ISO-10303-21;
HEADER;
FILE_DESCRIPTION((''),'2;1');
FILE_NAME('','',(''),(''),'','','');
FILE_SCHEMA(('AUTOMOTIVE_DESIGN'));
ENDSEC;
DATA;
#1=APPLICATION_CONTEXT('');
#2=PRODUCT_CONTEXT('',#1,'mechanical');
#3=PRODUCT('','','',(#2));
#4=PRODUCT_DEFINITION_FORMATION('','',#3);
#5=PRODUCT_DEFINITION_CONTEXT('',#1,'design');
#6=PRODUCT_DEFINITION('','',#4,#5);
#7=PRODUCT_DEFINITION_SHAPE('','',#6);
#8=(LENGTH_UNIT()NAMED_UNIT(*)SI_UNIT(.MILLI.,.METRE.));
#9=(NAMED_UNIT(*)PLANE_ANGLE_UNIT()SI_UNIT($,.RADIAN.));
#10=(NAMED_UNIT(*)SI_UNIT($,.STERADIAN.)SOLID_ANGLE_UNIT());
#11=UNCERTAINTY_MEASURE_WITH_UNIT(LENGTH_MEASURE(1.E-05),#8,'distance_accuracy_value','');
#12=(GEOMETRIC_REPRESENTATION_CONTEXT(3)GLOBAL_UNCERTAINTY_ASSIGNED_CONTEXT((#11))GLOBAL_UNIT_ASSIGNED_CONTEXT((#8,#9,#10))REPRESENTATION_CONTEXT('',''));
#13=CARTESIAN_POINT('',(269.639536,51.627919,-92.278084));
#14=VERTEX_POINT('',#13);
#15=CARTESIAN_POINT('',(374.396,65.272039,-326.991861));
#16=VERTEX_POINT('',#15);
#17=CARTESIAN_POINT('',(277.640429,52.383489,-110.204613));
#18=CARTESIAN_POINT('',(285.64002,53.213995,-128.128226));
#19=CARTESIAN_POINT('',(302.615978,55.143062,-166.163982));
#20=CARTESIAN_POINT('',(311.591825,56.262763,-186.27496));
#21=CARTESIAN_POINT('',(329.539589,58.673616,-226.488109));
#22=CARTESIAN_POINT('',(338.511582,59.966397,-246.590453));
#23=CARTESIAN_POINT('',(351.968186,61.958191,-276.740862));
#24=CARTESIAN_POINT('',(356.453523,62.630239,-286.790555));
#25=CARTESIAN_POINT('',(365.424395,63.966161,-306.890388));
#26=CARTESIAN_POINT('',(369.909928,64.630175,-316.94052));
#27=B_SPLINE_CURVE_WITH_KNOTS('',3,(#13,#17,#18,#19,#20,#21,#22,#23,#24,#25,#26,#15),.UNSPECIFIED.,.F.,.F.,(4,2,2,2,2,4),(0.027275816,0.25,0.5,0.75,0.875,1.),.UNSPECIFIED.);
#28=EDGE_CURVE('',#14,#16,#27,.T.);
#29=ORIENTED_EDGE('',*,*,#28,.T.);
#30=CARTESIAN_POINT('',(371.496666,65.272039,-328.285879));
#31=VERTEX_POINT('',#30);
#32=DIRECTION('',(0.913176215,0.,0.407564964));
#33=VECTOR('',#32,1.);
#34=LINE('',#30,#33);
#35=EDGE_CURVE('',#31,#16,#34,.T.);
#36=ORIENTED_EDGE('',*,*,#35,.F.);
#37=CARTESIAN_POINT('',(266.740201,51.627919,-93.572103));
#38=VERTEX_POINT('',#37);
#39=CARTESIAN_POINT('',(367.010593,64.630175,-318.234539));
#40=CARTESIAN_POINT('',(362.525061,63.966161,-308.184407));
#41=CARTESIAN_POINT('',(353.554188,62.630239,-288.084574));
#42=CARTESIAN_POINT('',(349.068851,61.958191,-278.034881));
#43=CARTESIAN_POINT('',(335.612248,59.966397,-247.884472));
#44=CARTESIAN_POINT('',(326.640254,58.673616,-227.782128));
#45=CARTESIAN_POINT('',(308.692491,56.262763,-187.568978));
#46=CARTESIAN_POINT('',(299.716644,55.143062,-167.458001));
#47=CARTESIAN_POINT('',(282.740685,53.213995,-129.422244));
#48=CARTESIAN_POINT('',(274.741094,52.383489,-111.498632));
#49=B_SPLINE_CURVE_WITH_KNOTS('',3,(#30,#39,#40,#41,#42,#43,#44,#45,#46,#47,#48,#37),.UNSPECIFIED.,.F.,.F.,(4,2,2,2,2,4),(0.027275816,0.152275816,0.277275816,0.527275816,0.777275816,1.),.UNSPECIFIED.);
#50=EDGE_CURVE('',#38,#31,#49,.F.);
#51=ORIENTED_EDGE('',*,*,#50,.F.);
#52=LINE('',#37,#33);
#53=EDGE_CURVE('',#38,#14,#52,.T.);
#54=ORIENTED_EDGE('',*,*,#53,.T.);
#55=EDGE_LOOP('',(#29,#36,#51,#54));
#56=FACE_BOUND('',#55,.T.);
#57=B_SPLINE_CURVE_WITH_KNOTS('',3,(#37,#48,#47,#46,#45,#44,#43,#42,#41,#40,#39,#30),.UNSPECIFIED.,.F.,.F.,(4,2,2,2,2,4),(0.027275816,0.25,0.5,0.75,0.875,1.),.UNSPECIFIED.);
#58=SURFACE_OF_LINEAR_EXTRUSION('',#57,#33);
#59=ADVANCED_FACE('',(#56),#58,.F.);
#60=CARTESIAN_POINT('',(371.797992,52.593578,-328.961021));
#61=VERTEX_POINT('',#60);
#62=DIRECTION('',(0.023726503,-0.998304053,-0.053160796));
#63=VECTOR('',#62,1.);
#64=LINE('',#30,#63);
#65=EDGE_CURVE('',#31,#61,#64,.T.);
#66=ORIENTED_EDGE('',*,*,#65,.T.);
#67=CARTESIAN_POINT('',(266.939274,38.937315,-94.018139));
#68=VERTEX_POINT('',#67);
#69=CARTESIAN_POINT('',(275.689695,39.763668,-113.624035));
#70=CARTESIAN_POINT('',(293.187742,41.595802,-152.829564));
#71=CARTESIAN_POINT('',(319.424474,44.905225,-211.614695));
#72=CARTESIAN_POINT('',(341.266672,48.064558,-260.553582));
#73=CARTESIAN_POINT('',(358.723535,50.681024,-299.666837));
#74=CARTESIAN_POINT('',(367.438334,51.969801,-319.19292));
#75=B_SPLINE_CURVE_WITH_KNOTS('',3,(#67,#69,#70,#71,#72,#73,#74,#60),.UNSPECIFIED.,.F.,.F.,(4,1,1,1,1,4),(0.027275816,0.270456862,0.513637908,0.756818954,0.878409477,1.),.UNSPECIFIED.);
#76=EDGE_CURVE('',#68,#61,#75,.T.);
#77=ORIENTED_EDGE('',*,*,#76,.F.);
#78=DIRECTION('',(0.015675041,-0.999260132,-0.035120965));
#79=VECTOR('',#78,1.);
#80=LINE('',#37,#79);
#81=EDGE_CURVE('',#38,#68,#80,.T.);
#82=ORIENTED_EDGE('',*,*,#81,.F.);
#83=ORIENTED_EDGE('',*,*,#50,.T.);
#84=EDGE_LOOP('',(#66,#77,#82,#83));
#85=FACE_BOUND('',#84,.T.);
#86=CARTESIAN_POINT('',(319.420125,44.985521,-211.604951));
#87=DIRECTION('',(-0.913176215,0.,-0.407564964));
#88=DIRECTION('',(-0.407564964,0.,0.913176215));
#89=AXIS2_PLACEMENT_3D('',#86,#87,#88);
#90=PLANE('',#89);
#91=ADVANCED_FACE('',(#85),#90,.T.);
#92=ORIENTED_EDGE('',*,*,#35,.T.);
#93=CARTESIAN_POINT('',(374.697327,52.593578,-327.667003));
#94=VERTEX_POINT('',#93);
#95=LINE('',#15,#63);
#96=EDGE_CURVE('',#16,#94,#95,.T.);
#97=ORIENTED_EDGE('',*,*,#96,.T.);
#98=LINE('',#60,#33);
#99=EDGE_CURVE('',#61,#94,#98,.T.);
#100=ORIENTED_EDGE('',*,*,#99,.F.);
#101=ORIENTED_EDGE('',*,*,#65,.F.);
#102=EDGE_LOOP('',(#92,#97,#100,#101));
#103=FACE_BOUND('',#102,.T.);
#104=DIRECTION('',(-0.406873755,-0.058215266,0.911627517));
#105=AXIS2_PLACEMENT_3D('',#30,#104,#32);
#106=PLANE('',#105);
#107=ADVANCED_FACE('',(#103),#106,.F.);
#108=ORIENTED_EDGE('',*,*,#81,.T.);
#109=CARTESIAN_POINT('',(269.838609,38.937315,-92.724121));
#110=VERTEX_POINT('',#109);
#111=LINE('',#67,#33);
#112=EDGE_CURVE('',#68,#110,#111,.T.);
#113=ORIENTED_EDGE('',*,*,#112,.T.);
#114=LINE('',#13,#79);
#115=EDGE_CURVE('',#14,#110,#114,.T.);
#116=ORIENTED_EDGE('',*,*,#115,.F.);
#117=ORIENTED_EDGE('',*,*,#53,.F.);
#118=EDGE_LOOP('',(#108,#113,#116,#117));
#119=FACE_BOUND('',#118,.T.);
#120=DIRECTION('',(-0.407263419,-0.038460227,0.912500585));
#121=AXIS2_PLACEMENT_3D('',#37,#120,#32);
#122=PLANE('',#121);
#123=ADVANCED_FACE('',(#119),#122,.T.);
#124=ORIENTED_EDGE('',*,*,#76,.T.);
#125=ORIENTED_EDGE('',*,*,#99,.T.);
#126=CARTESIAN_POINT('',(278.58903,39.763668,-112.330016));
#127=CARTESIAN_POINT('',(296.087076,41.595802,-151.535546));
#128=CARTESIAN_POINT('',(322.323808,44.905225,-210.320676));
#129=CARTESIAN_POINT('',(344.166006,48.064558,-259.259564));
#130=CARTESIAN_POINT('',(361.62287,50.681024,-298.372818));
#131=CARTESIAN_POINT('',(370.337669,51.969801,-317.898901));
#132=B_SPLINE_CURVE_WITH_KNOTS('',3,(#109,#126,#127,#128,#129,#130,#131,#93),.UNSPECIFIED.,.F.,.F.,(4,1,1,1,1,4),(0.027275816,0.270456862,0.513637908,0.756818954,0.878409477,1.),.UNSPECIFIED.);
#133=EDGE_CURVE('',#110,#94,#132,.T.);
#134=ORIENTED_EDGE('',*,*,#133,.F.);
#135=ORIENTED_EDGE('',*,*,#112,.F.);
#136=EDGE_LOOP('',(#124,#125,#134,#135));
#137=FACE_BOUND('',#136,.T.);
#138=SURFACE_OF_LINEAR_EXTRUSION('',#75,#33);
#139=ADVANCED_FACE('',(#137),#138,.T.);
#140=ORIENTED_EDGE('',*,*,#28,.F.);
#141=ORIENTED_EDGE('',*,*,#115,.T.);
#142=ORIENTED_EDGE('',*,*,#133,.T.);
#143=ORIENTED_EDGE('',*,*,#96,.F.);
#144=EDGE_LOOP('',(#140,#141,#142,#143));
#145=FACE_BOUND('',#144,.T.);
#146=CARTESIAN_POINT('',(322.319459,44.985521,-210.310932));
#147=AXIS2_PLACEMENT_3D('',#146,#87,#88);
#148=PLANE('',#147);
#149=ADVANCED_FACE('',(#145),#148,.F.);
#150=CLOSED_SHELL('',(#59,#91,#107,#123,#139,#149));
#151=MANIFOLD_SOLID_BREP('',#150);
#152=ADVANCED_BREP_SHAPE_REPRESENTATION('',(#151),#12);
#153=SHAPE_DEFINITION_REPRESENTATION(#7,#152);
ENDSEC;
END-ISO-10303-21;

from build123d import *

# Parameters (mm, degrees)
BOSS_EXTRUDE1_DEPTH = 3.175


with BuildPart() as part:
    # Sketch1 → Boss-Extrude1 (new body)
    with BuildSketch(Plane(origin=(190.505997168, 0, 85.025834525), x_dir=(-0.40756496353562105, 0, 0.9131762154689576), z_dir=(-0.9131762154689574, 0, -0.407564963535621))):
        with BuildLine():
            Line((-194.161779339, 51.627918831), (-194.650224224, 38.937315157))
            add(Edge.make_bspline(
                [(-194.650224224, 38.937315157), (-216.120226949, 39.763667731), (-259.053374571, 41.595801952), (-323.427730174, 44.905224632), (-377.019673006, 48.064558301), (-419.851772465, 50.681023549), (-441.23437363, 51.969800569), (-451.931215625, 52.593577963)],
                knots=[0.027275816, 0.027275816, 0.027275816, 0.027275816, 0.270456862, 0.513637908, 0.756818954, 0.878409477, 1, 1, 1, 1], degree=3))
            Line((-451.931215625, 52.593577963), (-451.191881748, 65.27203944))
            add(Edge.make_bspline(
                [(-194.161779339, 51.627918831), (-213.792743003, 52.383489175), (-233.420512404, 53.21399507), (-275.072666238, 55.143061948), (-297.095773537, 56.2627633), (-341.132344654, 58.673615561), (-363.145997588, 59.966397282), (-396.163073976, 61.958190876), (-407.168280906, 62.630239457), (-429.179183458, 63.966160817), (-440.18487064, 64.630174794), (-451.191881748, 65.27203944)],
                knots=[0.027275816, 0.027275816, 0.027275816, 0.027275816, 0.25, 0.25, 0.5, 0.5, 0.75, 0.75, 0.875, 0.875, 1, 1, 1, 1], degree=3))
        make_face()
    extrude(amount=BOSS_EXTRUDE1_DEPTH)


solid = part.part
